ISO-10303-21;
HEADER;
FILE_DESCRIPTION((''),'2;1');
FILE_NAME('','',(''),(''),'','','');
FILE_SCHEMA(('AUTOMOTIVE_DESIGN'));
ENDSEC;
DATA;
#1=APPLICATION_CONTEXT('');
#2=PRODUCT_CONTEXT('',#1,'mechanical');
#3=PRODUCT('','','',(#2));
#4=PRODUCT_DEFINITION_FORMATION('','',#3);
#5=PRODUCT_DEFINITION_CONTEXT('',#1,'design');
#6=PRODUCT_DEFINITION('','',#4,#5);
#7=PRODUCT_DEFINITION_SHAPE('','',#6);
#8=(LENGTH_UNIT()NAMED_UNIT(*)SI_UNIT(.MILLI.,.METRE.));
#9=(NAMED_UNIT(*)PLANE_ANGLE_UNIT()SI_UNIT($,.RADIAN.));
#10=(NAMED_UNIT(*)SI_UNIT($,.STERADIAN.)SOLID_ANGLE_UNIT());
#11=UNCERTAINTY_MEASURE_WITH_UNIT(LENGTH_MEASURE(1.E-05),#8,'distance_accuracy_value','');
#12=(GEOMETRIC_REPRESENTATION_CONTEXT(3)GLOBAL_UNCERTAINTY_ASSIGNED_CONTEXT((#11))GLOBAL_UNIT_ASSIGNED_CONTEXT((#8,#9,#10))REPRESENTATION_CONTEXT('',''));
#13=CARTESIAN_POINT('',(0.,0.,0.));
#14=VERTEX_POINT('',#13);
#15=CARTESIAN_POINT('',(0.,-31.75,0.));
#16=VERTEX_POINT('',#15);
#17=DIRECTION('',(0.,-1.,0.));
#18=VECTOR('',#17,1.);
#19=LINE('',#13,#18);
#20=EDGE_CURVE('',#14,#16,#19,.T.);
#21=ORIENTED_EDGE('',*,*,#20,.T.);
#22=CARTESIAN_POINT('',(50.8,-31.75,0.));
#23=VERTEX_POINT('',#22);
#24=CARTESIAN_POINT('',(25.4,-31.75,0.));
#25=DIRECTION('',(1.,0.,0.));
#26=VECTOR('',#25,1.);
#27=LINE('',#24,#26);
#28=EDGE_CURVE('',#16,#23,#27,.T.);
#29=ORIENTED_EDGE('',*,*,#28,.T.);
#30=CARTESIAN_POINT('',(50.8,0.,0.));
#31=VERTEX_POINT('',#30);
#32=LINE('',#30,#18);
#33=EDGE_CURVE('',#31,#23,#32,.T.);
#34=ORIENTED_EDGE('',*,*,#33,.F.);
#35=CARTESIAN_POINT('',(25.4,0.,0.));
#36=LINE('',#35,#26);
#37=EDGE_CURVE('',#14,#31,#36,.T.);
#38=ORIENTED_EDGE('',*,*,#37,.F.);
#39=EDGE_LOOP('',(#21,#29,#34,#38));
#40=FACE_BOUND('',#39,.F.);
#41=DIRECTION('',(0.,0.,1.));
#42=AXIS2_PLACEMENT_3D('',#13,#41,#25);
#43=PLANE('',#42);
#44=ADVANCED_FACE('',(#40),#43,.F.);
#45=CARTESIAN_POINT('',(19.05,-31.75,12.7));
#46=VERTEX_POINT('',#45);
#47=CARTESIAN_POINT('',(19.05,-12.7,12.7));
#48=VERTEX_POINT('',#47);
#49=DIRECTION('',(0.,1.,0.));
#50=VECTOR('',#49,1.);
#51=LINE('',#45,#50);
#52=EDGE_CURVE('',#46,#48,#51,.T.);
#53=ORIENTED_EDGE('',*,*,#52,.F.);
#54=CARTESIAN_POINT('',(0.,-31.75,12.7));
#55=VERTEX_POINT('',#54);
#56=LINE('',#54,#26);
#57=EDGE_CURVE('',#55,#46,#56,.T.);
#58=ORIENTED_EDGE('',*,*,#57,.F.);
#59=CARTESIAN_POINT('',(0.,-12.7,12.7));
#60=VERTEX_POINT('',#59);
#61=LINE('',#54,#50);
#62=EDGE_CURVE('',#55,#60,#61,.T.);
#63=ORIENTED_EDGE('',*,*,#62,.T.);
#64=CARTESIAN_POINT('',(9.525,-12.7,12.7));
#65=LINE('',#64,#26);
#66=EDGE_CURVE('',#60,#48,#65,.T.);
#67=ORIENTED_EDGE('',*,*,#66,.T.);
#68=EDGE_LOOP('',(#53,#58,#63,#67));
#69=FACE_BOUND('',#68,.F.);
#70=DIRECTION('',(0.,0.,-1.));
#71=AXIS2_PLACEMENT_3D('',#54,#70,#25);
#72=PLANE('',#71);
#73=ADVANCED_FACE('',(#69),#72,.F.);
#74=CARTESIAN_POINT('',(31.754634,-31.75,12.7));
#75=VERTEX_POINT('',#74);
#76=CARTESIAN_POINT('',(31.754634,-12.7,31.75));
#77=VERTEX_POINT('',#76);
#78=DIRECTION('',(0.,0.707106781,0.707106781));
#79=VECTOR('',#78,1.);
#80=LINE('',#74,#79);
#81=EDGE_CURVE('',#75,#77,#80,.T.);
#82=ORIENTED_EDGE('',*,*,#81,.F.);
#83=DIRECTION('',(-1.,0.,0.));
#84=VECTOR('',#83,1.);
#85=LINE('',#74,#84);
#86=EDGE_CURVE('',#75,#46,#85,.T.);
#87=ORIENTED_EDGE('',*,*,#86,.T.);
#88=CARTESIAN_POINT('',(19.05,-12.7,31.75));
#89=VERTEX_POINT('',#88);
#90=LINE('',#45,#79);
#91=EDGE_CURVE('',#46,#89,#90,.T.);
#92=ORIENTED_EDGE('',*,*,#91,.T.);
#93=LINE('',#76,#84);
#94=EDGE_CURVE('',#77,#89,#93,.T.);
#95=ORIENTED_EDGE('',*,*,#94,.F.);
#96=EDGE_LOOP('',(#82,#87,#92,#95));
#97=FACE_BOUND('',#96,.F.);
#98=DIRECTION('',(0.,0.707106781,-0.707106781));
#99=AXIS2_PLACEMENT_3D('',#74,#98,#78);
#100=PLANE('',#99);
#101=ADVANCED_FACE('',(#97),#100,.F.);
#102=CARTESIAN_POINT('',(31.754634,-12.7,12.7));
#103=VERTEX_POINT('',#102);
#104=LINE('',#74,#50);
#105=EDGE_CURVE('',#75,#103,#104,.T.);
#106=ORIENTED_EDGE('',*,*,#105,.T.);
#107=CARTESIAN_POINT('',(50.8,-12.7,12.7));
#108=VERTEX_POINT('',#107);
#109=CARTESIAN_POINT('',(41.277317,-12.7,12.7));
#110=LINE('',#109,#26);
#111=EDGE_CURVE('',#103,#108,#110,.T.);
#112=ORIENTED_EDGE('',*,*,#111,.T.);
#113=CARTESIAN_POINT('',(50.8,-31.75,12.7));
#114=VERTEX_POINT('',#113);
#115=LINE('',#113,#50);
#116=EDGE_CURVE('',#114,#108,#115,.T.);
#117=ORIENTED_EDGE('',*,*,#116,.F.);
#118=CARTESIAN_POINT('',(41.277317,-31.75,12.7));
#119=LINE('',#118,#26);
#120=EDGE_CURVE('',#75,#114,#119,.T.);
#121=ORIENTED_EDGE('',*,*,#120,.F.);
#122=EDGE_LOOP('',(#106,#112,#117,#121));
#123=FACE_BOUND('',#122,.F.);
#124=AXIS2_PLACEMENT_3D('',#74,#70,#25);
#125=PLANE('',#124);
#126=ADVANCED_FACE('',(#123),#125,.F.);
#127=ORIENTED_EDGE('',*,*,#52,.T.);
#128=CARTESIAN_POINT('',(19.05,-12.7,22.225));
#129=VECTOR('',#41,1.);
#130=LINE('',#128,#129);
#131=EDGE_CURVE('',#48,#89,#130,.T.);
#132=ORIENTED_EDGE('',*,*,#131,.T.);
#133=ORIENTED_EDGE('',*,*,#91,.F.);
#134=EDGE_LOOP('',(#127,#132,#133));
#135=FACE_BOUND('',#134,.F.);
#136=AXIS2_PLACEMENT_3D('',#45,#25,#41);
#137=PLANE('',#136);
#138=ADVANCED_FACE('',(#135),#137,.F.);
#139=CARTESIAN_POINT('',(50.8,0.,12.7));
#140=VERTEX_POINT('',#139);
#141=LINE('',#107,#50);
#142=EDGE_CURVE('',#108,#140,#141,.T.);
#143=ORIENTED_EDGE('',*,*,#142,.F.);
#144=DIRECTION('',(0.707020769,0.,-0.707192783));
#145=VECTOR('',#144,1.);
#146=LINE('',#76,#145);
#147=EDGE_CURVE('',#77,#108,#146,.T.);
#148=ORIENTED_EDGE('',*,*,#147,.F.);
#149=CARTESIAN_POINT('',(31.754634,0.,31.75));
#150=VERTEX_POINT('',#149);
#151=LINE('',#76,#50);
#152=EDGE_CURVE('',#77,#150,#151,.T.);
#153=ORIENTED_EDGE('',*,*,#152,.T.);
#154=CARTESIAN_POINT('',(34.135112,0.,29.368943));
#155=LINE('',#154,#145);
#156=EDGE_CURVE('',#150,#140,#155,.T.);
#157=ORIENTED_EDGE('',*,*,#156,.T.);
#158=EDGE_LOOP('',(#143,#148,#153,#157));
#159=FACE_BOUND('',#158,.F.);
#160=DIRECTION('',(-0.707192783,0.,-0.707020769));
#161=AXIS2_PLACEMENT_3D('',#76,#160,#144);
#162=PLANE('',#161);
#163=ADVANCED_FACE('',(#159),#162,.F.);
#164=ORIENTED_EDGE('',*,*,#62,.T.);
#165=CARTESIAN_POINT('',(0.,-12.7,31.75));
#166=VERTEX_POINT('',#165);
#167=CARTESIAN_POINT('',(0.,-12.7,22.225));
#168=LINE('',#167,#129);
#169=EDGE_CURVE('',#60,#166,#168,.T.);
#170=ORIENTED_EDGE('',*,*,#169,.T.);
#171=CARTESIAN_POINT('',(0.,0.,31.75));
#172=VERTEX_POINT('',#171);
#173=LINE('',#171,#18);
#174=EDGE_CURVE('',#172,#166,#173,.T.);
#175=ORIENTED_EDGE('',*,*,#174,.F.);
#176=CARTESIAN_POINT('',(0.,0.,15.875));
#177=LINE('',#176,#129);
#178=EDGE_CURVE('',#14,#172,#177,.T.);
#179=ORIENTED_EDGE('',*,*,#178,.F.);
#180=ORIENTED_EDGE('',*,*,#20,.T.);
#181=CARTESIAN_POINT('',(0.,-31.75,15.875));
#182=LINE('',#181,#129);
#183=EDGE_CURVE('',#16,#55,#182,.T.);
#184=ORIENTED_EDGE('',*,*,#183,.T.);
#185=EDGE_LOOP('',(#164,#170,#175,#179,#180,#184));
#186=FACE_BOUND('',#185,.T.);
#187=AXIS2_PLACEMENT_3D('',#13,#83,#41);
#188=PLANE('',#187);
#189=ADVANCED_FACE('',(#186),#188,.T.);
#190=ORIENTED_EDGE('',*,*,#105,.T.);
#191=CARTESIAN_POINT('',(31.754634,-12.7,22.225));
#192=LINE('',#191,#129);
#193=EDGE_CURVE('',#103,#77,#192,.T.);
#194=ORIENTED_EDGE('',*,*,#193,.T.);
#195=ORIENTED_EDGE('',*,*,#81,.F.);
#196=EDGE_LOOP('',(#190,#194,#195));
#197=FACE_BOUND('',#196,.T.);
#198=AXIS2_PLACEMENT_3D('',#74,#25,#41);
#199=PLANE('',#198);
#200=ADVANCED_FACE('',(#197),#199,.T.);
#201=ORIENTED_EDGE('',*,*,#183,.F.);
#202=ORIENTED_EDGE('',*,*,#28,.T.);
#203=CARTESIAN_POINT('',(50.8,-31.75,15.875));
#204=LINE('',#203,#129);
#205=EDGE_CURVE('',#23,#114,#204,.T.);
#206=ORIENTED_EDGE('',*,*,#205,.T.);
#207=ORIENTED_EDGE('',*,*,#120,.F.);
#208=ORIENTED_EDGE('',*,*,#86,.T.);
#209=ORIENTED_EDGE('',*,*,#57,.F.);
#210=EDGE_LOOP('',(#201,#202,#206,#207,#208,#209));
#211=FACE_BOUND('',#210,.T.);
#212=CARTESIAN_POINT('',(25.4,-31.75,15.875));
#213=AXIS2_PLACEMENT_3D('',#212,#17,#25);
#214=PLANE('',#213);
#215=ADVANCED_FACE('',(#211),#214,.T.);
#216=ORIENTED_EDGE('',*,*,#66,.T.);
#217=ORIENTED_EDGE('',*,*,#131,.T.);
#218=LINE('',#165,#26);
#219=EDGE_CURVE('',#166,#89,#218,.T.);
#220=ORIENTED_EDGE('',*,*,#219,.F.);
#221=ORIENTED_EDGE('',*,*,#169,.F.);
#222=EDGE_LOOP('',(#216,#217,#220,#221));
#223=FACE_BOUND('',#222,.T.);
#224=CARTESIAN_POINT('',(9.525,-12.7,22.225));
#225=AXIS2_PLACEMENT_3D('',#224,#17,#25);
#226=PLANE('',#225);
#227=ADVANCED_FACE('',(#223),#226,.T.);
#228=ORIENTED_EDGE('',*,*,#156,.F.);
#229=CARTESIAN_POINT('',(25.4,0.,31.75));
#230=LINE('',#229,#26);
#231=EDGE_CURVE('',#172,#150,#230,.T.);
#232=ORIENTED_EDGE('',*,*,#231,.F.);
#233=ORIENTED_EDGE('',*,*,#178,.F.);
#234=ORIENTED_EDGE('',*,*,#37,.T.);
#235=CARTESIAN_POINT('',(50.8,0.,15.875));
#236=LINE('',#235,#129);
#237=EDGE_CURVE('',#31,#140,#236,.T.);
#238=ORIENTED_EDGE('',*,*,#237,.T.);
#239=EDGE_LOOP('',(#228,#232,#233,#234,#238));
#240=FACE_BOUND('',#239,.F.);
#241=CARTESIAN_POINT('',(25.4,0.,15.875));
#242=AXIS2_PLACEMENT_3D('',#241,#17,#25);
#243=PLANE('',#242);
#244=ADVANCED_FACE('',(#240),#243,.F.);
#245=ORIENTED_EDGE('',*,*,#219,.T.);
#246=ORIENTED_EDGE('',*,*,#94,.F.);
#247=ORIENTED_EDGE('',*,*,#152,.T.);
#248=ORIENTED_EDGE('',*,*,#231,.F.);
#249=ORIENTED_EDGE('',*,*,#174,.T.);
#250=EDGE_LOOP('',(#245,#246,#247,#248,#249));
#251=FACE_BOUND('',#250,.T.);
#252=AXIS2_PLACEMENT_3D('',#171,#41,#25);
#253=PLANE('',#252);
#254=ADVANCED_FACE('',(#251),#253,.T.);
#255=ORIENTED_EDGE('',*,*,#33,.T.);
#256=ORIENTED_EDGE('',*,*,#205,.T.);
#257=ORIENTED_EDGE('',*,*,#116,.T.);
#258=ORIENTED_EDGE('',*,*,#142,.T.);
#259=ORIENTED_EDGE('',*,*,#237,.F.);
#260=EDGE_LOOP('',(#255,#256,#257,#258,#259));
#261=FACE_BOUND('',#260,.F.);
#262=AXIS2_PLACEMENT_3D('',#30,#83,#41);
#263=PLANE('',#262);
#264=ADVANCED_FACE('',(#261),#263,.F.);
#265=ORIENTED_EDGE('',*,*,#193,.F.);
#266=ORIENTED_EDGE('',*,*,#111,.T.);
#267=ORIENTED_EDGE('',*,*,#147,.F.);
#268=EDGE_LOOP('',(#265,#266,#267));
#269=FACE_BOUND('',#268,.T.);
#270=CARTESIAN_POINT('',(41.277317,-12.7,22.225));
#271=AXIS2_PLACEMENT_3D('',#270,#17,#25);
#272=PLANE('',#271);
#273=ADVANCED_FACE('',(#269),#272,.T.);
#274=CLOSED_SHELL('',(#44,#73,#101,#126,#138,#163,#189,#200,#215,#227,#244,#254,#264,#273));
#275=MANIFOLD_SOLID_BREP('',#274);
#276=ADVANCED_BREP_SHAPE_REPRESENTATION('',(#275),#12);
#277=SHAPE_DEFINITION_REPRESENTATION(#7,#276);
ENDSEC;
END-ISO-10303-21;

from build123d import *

# Parameters (mm, degrees)
F0_W      = 50.8
F0_H      = 31.75
F1_DEPTH  = 31.75
F3_W      = 19.05
F3_H      = 19.05
F4_DEPTH  = 19.05
F5_W      = 19.0453663528
F5_H      = 19.05
F6_DEPTH  = 19.05
F8_DEPTH  = 25.4
F10_DEPTH = 25.4


with BuildPart() as f1:
    # F0 (on Front) → F1 (new body)
    with BuildSketch(Plane.XZ):
        with Locations((25.4, 15.875)):
            Rectangle(F0_W, F0_H)
    extrude(amount=F1_DEPTH)

    # F3 (on face) → F4 (cut)
    with BuildSketch(Plane.XZ.offset(31.75)):
        with Locations((9.525, 22.225)):
            Rectangle(F3_W, F3_H)
    extrude(amount=-F4_DEPTH, mode=Mode.SUBTRACT)

    # F5 (on face) → F6 (cut)
    with BuildSketch(Plane.XZ.offset(31.75)):
        with Locations((41.2773168236, 22.225)):
            Rectangle(F5_W, F5_H)
    extrude(amount=-F6_DEPTH, mode=Mode.SUBTRACT)

    # F7 (on face) → F8 (cut)
    with BuildSketch(Plane.YZ.offset(31.7546336472)):
        Polygon((-31.75, 31.75), (-31.75, 12.7), (-12.7, 31.75), align=None)
    extrude(amount=-F8_DEPTH, mode=Mode.SUBTRACT)

    # F9 (on face) → F10 (cut)
    with BuildSketch(Plane.XZ.offset(12.7)):
        Polygon((50.8, 31.75), (31.7546336472, 31.75), (50.8, 12.7), align=None)
    extrude(amount=-F10_DEPTH, mode=Mode.SUBTRACT)


solid = f1.part
